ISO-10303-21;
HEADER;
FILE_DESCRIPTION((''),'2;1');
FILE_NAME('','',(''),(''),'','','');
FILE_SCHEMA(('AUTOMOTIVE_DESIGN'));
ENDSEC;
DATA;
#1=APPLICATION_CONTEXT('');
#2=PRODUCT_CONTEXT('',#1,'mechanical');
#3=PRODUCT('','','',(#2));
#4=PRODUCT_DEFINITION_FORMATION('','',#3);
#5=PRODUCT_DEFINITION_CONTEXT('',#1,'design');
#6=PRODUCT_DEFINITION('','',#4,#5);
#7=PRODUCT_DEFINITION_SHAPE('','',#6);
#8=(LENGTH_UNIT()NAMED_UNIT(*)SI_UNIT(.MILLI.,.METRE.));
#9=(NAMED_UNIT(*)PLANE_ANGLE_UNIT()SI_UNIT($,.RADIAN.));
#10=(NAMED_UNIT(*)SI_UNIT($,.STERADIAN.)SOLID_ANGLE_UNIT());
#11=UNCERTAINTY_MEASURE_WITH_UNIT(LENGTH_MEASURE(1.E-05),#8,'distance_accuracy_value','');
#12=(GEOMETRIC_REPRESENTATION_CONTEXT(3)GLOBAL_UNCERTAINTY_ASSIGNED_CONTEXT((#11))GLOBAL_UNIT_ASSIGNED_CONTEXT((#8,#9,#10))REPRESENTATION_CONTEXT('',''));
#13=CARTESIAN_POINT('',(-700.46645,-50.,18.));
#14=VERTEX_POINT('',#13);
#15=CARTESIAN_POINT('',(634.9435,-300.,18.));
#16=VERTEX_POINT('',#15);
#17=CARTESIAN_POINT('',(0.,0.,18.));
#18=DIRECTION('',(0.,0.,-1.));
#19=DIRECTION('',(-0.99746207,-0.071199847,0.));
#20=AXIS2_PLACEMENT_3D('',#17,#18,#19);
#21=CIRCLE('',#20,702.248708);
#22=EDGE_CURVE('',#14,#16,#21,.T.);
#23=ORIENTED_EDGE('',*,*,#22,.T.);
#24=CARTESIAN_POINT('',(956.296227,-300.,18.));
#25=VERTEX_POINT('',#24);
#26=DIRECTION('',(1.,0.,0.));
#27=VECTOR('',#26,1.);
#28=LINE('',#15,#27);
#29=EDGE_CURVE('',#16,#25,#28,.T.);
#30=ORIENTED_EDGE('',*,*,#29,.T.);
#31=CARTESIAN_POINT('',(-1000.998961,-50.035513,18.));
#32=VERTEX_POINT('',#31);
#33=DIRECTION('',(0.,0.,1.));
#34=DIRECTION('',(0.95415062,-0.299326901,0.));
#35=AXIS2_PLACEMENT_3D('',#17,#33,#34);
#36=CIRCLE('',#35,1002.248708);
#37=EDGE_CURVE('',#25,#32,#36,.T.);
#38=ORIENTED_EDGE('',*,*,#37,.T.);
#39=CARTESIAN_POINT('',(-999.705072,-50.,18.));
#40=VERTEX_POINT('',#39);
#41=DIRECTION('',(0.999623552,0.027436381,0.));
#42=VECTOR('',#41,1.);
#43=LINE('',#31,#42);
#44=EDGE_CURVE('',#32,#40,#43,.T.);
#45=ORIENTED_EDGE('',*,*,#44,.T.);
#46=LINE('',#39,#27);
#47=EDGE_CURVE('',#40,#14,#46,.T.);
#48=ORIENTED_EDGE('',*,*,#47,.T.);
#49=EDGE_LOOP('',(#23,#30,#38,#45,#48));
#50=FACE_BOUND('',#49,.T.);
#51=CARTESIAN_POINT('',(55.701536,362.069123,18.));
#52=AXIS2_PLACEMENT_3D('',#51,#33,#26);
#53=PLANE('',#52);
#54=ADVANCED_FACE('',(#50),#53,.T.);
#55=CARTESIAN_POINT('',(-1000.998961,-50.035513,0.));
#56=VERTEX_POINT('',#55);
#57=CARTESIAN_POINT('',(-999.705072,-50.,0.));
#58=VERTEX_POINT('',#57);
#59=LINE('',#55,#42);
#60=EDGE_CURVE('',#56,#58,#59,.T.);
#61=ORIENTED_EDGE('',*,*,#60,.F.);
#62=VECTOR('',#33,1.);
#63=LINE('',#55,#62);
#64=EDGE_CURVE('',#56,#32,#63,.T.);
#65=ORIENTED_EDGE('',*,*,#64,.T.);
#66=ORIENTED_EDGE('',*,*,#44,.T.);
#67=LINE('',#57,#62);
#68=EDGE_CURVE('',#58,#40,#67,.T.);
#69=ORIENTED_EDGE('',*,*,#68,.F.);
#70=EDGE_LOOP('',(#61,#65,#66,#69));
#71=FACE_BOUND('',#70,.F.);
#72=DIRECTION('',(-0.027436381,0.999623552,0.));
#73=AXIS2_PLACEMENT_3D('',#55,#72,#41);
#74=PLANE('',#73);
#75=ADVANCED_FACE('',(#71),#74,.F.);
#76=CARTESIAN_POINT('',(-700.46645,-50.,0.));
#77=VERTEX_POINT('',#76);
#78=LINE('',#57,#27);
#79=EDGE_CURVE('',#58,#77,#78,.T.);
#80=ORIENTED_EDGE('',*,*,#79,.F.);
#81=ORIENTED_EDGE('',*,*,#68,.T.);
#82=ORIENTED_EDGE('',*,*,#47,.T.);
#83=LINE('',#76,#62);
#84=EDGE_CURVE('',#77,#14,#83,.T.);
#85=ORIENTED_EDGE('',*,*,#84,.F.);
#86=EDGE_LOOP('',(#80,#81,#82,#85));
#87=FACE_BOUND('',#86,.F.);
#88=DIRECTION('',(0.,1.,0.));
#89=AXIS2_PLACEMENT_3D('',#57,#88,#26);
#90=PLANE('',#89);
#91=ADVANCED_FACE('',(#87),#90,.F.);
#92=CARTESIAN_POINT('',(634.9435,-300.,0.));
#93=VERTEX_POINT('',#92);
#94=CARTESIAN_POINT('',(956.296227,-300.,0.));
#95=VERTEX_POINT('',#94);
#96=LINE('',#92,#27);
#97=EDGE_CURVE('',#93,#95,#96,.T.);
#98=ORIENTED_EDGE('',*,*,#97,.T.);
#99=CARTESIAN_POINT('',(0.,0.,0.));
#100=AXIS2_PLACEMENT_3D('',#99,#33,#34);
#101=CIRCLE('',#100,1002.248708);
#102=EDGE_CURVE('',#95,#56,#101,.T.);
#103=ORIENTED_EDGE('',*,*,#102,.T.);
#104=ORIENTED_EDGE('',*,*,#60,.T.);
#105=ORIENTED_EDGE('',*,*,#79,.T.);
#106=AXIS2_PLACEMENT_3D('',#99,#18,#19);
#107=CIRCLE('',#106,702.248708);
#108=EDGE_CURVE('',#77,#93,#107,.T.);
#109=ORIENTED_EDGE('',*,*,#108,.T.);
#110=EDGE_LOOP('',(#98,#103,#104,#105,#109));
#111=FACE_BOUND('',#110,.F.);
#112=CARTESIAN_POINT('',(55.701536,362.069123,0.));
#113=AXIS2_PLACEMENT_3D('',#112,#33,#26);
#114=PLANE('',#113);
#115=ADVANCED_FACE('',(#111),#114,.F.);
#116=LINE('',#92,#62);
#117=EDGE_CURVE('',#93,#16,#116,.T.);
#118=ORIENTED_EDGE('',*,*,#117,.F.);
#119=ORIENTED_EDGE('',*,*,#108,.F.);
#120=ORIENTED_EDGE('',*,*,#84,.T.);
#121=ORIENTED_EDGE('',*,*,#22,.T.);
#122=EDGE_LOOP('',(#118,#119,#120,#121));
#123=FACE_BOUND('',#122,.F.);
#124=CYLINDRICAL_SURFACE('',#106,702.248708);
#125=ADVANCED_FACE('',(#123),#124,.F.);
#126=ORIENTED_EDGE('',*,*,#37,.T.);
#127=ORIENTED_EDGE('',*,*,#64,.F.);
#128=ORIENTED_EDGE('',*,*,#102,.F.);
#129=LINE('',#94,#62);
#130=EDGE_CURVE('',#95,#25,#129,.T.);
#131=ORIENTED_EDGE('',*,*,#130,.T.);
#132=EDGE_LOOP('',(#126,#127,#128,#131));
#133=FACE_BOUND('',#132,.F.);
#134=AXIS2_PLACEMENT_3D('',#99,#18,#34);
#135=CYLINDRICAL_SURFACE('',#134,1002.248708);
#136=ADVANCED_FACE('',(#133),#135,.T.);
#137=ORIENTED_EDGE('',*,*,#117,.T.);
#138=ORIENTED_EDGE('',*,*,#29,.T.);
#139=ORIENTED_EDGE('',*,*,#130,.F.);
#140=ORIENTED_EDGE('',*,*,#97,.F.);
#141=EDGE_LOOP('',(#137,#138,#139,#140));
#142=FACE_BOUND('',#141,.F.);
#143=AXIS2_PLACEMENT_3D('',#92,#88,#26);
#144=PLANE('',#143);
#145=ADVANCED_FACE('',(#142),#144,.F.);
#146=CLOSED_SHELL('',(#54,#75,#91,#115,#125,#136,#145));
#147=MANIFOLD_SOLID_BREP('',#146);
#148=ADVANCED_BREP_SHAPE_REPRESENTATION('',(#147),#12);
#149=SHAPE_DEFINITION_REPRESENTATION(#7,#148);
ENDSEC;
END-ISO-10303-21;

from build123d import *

# Parameters (mm, degrees)
F1_DEPTH = 18


with BuildPart() as f1:
    # F0 (on Top) → F1 (new body)
    with BuildSketch(Plane.XY):
        with BuildLine():
            ThreePointArc((-700.46645, -50), (129.221957, 690.257151), (634.9435, -300))
            Line((634.9435, -300), (956.296227, -300))
            ThreePointArc((956.296227, -300), (126.965132, 994.174194), (-1000.998961, -50.035513))
            Line((-1000.998961, -50.035513), (-999.705072, -50))
            Line((-999.705072, -50), (-700.46645, -50))
        make_face()
    extrude(amount=F1_DEPTH)


solid = f1.part
